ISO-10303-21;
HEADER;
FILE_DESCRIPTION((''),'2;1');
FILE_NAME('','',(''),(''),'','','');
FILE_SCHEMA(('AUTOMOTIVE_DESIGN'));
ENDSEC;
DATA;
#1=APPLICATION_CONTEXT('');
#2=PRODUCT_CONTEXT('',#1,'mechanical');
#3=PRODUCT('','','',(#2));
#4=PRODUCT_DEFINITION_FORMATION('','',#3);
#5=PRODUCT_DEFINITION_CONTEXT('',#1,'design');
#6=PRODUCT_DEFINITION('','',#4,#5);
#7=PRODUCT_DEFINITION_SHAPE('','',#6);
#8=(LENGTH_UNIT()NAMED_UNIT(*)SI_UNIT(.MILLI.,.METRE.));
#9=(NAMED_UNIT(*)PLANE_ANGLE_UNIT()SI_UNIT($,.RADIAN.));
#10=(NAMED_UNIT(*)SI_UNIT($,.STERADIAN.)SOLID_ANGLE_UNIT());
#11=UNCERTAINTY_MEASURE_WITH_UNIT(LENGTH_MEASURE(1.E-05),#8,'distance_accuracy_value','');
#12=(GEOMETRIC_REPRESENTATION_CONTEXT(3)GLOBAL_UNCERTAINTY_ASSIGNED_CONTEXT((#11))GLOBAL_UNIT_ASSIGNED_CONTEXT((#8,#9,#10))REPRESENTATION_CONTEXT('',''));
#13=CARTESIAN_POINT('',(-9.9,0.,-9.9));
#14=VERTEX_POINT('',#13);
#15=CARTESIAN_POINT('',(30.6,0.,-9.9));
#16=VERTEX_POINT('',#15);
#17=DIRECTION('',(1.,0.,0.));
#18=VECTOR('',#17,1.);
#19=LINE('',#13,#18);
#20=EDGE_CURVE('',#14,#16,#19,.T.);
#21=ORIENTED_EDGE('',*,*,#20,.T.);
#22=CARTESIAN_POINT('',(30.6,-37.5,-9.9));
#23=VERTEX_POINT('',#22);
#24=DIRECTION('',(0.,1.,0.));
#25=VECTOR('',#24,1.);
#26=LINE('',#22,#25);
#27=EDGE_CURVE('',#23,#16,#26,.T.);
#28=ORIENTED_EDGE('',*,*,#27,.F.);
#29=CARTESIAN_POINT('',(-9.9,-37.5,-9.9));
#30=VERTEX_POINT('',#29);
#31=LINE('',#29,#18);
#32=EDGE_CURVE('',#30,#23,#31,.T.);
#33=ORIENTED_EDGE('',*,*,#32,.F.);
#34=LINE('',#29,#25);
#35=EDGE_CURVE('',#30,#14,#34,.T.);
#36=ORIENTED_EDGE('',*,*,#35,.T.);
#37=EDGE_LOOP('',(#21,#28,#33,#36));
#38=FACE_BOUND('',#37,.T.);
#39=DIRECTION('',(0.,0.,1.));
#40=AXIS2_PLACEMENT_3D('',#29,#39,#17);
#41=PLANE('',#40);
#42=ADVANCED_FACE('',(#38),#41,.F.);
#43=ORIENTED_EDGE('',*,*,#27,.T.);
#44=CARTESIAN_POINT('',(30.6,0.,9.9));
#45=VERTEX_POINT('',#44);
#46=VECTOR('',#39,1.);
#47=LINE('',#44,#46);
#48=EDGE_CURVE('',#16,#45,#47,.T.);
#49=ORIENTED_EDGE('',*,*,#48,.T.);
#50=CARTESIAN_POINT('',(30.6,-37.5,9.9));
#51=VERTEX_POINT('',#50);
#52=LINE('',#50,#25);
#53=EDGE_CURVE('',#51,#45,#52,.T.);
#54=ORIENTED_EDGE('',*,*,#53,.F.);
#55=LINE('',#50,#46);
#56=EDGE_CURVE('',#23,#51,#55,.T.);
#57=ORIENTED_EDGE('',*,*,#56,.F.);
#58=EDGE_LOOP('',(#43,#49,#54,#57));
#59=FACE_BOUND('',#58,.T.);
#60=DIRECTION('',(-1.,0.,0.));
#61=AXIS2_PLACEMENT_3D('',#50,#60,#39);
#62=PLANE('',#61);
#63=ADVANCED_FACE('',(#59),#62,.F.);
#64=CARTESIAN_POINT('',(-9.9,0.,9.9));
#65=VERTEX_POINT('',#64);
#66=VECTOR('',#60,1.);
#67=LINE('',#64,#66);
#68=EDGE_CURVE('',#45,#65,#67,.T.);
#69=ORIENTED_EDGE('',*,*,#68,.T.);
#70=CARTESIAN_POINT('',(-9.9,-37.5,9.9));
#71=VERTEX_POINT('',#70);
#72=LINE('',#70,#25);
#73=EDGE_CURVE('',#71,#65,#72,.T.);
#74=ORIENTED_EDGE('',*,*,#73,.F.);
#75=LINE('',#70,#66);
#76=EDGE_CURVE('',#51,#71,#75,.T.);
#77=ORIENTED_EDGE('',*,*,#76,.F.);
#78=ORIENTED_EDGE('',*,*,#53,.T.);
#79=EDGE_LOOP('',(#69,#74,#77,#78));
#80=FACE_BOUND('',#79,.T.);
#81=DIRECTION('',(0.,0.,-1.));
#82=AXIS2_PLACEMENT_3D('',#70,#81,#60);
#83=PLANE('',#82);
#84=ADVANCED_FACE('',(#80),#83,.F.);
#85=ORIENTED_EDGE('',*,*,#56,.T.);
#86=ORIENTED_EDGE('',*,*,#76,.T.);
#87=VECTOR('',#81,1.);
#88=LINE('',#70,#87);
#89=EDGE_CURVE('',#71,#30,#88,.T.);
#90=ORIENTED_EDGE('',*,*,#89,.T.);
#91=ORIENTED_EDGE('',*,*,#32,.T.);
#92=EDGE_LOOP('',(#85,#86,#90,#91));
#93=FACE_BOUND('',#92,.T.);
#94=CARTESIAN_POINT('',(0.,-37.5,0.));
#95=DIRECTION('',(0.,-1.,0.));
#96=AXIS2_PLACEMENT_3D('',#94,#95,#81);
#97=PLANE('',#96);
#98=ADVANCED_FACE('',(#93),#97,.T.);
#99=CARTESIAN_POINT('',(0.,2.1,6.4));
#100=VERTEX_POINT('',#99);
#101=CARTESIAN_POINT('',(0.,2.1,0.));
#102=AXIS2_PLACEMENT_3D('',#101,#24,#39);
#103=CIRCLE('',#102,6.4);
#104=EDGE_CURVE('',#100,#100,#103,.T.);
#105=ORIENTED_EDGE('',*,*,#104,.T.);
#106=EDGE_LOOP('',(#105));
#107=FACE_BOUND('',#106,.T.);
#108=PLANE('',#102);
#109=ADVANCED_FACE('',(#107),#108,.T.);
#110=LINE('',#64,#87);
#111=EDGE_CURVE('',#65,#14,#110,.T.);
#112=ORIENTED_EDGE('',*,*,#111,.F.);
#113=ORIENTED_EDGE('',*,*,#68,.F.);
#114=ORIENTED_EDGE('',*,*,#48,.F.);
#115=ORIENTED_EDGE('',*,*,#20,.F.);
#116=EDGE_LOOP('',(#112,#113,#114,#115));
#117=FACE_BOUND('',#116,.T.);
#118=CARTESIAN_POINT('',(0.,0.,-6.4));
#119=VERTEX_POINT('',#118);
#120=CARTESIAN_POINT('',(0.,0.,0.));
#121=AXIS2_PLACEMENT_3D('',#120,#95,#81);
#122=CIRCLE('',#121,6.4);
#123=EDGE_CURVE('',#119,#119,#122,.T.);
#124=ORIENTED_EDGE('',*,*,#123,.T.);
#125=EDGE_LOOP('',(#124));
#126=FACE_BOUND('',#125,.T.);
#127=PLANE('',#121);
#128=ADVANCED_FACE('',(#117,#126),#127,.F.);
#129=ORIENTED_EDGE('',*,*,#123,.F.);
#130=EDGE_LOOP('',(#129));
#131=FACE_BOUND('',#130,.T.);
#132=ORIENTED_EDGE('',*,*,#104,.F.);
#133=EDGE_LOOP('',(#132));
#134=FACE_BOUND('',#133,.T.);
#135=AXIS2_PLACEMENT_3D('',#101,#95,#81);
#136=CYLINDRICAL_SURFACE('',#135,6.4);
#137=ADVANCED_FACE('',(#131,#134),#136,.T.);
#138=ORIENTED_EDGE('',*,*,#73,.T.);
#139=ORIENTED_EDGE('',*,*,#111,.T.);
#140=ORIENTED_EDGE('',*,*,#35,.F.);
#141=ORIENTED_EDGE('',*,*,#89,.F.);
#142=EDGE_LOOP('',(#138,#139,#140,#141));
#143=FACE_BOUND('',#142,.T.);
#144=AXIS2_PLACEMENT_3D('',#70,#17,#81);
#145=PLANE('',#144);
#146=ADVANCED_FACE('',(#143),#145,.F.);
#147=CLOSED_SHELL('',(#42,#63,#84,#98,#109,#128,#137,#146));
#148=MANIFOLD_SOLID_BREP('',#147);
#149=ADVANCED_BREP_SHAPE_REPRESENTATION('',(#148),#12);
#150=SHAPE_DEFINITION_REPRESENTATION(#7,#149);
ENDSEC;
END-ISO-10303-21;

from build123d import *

# Parameters (mm, degrees)
SKETCH1_R           = 6.4
BOSS_EXTRUDE1_DEPTH = 2.1
SKETCH2_W           = 40.5
SKETCH2_H           = 19.8
BOSS_EXTRUDE2_DEPTH = 37.5


with BuildPart() as part:
    # Sketch1 → Boss-Extrude1 (new body)
    with BuildSketch(Plane(origin=(0, 0, 0), x_dir=(1, 0, 0), z_dir=(0, 1, 0))):
        Circle(SKETCH1_R)
    extrude(amount=BOSS_EXTRUDE1_DEPTH)

    # Sketch2 → Boss-Extrude2 (add)
    with BuildSketch(Plane.XZ):
        with Locations((10.35, 0)):
            Rectangle(SKETCH2_W, SKETCH2_H)
    extrude(amount=BOSS_EXTRUDE2_DEPTH)


solid = part.part
